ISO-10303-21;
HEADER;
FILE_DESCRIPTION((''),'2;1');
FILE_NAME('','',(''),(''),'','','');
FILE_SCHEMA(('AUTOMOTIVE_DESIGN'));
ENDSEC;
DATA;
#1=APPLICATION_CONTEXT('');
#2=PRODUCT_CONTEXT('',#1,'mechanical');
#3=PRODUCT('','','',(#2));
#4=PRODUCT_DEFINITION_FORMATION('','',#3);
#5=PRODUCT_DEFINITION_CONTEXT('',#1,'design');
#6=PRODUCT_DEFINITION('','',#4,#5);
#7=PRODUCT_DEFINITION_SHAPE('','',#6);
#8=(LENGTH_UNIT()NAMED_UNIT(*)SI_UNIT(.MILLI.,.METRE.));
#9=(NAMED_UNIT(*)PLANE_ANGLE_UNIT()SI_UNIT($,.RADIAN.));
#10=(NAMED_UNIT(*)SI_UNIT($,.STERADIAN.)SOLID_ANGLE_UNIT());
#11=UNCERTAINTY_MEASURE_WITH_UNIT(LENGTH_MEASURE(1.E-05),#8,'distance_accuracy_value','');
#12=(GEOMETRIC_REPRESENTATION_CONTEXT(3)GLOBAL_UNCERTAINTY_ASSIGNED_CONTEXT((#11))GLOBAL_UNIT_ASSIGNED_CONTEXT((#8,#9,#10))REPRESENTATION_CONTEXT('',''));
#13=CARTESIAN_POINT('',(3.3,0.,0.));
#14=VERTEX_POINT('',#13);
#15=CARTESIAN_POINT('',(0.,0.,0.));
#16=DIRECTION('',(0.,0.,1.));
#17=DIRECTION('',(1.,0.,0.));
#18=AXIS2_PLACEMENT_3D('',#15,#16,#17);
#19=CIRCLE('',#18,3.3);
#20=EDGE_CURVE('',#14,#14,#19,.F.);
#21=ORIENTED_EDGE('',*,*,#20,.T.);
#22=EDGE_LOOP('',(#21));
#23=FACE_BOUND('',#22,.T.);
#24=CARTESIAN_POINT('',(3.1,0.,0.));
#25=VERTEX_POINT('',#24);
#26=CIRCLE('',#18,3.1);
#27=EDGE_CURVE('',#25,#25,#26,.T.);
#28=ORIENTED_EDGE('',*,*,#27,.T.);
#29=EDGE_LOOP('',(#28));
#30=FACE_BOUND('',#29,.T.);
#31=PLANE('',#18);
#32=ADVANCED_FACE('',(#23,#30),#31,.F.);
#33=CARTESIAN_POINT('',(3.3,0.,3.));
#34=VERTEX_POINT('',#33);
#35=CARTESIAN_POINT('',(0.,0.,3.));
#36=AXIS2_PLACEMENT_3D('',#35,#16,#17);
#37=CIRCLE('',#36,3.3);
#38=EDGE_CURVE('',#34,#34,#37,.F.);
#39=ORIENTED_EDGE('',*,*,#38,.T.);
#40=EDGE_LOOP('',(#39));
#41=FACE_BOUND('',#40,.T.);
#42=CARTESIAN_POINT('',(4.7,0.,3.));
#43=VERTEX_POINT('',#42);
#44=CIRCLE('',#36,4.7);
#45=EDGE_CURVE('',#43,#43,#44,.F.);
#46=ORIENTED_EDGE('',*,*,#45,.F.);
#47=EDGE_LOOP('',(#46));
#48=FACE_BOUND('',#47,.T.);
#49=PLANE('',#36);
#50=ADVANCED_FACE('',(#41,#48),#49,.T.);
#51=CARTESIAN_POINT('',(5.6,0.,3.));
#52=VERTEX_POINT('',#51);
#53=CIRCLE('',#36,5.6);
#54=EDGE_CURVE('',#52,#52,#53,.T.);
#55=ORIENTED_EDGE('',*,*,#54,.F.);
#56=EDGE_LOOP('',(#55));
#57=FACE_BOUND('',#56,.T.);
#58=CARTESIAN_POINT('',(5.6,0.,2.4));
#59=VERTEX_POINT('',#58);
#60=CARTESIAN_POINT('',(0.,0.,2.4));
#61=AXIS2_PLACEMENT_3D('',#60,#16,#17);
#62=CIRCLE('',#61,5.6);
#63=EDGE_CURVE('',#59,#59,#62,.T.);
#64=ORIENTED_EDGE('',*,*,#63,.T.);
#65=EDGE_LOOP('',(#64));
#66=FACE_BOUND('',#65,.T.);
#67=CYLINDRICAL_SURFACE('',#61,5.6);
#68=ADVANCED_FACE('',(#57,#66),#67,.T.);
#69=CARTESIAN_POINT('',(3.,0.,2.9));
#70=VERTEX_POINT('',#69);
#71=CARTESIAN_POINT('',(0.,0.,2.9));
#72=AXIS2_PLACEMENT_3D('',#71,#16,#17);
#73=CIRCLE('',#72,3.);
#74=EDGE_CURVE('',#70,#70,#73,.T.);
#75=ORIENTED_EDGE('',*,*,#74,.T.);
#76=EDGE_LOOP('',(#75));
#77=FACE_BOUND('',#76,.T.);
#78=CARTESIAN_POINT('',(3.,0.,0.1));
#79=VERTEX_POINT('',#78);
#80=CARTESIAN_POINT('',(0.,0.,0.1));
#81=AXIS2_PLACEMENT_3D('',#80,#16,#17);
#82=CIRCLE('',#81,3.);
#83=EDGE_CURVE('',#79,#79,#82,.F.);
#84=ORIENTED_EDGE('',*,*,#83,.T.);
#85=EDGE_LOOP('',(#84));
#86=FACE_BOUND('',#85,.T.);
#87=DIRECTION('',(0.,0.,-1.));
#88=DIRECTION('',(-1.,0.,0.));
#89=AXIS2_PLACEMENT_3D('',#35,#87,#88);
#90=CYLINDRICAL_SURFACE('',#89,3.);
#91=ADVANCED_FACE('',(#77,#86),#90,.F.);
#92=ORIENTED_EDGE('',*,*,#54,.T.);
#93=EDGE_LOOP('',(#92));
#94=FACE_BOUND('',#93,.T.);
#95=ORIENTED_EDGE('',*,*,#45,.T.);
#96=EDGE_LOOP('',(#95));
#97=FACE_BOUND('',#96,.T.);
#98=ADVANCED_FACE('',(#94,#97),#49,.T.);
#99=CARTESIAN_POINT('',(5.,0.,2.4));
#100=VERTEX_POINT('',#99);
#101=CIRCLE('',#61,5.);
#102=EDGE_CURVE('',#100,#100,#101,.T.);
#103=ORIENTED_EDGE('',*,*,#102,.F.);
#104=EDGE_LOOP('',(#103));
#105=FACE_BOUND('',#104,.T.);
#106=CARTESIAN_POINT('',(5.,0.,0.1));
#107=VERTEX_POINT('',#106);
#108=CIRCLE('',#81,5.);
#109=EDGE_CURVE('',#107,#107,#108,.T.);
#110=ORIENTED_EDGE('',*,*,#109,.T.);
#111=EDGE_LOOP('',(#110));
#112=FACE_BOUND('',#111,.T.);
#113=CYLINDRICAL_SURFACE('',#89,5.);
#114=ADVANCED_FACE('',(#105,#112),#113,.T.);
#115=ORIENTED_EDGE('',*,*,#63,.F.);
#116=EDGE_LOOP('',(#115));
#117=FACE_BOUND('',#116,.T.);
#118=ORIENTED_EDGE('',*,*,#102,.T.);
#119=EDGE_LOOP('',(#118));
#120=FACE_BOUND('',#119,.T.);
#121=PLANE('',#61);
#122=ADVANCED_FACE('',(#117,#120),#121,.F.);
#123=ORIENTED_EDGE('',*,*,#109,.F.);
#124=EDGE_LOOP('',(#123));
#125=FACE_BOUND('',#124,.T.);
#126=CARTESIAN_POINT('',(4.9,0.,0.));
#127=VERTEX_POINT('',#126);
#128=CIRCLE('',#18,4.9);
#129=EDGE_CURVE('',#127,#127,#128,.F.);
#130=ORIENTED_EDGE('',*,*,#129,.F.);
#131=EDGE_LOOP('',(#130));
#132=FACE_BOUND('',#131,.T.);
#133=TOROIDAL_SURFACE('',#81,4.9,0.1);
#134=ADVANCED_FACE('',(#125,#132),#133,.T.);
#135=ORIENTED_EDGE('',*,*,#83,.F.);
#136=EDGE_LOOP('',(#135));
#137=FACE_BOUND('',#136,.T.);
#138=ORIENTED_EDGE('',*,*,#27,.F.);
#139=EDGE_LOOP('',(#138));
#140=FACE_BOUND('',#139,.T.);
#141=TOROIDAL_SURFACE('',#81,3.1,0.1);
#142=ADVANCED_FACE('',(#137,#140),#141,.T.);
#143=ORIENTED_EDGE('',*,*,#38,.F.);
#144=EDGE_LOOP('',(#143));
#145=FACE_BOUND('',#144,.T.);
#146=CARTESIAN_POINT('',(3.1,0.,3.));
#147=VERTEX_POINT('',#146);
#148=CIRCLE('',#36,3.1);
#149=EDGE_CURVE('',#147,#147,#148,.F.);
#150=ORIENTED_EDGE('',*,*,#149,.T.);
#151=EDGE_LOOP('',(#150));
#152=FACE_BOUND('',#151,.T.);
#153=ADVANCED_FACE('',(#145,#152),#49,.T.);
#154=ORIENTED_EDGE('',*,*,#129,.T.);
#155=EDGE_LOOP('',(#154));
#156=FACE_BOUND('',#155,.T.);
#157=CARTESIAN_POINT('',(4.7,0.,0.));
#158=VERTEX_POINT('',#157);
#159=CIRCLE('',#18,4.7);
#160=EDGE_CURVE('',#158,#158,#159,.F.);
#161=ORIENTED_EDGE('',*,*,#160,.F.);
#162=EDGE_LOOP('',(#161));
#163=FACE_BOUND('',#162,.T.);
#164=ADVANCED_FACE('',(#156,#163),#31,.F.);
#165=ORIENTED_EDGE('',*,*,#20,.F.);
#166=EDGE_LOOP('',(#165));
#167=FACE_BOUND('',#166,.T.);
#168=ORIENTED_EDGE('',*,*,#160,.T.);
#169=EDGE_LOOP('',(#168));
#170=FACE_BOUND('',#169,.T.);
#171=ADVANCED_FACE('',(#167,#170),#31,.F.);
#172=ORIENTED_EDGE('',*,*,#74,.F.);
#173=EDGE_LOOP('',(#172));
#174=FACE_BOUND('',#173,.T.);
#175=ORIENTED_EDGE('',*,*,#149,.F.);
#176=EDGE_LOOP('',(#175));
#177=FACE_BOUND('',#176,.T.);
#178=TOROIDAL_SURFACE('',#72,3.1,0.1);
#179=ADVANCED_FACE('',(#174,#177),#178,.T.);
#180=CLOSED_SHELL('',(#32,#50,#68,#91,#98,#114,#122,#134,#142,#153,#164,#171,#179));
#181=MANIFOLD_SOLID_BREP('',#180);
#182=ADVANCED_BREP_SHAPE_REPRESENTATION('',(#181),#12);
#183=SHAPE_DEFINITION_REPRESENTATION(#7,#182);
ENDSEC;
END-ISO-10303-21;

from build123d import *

# Parameters (mm, degrees)
SKETCH_1_R      = 5
SKETCH_1_R_2    = 3
EXTRUDE_1_DEPTH = 3
EXTRUDE_START   = -0.6
SKETCH_2_R      = 5.6
SKETCH_2_R_2    = 3
EXTRUDE_2_DEPTH = 0.6
FILLET_1_R      = 0.1


with BuildPart() as part:
    # ｽｹｯﾁ1 → ﾎﾞｽ - 押し出し1 (new body)
    with BuildSketch(Plane.XY):
        Circle(SKETCH_1_R)
        Circle(SKETCH_1_R_2, mode=Mode.SUBTRACT)
    extrude(amount=EXTRUDE_1_DEPTH)

    # ｽｹｯﾁ2 → ﾎﾞｽ - 押し出し2 (add)
    with BuildSketch(Plane.XY.offset(3).offset(EXTRUDE_START)):
        Circle(SKETCH_2_R)
        Circle(SKETCH_2_R_2, mode=Mode.SUBTRACT)
    extrude(amount=EXTRUDE_2_DEPTH)

    # ﾌｨﾚｯﾄ1
    fillet_1_edges = [part.edges().sort_by_distance(p)[0] for p in [
        (-5, 0, 0),
        (-3, 0, 0),
        (-3, 0, 3),
    ]]
    fillet(fillet_1_edges, radius=FILLET_1_R)


solid = part.part
